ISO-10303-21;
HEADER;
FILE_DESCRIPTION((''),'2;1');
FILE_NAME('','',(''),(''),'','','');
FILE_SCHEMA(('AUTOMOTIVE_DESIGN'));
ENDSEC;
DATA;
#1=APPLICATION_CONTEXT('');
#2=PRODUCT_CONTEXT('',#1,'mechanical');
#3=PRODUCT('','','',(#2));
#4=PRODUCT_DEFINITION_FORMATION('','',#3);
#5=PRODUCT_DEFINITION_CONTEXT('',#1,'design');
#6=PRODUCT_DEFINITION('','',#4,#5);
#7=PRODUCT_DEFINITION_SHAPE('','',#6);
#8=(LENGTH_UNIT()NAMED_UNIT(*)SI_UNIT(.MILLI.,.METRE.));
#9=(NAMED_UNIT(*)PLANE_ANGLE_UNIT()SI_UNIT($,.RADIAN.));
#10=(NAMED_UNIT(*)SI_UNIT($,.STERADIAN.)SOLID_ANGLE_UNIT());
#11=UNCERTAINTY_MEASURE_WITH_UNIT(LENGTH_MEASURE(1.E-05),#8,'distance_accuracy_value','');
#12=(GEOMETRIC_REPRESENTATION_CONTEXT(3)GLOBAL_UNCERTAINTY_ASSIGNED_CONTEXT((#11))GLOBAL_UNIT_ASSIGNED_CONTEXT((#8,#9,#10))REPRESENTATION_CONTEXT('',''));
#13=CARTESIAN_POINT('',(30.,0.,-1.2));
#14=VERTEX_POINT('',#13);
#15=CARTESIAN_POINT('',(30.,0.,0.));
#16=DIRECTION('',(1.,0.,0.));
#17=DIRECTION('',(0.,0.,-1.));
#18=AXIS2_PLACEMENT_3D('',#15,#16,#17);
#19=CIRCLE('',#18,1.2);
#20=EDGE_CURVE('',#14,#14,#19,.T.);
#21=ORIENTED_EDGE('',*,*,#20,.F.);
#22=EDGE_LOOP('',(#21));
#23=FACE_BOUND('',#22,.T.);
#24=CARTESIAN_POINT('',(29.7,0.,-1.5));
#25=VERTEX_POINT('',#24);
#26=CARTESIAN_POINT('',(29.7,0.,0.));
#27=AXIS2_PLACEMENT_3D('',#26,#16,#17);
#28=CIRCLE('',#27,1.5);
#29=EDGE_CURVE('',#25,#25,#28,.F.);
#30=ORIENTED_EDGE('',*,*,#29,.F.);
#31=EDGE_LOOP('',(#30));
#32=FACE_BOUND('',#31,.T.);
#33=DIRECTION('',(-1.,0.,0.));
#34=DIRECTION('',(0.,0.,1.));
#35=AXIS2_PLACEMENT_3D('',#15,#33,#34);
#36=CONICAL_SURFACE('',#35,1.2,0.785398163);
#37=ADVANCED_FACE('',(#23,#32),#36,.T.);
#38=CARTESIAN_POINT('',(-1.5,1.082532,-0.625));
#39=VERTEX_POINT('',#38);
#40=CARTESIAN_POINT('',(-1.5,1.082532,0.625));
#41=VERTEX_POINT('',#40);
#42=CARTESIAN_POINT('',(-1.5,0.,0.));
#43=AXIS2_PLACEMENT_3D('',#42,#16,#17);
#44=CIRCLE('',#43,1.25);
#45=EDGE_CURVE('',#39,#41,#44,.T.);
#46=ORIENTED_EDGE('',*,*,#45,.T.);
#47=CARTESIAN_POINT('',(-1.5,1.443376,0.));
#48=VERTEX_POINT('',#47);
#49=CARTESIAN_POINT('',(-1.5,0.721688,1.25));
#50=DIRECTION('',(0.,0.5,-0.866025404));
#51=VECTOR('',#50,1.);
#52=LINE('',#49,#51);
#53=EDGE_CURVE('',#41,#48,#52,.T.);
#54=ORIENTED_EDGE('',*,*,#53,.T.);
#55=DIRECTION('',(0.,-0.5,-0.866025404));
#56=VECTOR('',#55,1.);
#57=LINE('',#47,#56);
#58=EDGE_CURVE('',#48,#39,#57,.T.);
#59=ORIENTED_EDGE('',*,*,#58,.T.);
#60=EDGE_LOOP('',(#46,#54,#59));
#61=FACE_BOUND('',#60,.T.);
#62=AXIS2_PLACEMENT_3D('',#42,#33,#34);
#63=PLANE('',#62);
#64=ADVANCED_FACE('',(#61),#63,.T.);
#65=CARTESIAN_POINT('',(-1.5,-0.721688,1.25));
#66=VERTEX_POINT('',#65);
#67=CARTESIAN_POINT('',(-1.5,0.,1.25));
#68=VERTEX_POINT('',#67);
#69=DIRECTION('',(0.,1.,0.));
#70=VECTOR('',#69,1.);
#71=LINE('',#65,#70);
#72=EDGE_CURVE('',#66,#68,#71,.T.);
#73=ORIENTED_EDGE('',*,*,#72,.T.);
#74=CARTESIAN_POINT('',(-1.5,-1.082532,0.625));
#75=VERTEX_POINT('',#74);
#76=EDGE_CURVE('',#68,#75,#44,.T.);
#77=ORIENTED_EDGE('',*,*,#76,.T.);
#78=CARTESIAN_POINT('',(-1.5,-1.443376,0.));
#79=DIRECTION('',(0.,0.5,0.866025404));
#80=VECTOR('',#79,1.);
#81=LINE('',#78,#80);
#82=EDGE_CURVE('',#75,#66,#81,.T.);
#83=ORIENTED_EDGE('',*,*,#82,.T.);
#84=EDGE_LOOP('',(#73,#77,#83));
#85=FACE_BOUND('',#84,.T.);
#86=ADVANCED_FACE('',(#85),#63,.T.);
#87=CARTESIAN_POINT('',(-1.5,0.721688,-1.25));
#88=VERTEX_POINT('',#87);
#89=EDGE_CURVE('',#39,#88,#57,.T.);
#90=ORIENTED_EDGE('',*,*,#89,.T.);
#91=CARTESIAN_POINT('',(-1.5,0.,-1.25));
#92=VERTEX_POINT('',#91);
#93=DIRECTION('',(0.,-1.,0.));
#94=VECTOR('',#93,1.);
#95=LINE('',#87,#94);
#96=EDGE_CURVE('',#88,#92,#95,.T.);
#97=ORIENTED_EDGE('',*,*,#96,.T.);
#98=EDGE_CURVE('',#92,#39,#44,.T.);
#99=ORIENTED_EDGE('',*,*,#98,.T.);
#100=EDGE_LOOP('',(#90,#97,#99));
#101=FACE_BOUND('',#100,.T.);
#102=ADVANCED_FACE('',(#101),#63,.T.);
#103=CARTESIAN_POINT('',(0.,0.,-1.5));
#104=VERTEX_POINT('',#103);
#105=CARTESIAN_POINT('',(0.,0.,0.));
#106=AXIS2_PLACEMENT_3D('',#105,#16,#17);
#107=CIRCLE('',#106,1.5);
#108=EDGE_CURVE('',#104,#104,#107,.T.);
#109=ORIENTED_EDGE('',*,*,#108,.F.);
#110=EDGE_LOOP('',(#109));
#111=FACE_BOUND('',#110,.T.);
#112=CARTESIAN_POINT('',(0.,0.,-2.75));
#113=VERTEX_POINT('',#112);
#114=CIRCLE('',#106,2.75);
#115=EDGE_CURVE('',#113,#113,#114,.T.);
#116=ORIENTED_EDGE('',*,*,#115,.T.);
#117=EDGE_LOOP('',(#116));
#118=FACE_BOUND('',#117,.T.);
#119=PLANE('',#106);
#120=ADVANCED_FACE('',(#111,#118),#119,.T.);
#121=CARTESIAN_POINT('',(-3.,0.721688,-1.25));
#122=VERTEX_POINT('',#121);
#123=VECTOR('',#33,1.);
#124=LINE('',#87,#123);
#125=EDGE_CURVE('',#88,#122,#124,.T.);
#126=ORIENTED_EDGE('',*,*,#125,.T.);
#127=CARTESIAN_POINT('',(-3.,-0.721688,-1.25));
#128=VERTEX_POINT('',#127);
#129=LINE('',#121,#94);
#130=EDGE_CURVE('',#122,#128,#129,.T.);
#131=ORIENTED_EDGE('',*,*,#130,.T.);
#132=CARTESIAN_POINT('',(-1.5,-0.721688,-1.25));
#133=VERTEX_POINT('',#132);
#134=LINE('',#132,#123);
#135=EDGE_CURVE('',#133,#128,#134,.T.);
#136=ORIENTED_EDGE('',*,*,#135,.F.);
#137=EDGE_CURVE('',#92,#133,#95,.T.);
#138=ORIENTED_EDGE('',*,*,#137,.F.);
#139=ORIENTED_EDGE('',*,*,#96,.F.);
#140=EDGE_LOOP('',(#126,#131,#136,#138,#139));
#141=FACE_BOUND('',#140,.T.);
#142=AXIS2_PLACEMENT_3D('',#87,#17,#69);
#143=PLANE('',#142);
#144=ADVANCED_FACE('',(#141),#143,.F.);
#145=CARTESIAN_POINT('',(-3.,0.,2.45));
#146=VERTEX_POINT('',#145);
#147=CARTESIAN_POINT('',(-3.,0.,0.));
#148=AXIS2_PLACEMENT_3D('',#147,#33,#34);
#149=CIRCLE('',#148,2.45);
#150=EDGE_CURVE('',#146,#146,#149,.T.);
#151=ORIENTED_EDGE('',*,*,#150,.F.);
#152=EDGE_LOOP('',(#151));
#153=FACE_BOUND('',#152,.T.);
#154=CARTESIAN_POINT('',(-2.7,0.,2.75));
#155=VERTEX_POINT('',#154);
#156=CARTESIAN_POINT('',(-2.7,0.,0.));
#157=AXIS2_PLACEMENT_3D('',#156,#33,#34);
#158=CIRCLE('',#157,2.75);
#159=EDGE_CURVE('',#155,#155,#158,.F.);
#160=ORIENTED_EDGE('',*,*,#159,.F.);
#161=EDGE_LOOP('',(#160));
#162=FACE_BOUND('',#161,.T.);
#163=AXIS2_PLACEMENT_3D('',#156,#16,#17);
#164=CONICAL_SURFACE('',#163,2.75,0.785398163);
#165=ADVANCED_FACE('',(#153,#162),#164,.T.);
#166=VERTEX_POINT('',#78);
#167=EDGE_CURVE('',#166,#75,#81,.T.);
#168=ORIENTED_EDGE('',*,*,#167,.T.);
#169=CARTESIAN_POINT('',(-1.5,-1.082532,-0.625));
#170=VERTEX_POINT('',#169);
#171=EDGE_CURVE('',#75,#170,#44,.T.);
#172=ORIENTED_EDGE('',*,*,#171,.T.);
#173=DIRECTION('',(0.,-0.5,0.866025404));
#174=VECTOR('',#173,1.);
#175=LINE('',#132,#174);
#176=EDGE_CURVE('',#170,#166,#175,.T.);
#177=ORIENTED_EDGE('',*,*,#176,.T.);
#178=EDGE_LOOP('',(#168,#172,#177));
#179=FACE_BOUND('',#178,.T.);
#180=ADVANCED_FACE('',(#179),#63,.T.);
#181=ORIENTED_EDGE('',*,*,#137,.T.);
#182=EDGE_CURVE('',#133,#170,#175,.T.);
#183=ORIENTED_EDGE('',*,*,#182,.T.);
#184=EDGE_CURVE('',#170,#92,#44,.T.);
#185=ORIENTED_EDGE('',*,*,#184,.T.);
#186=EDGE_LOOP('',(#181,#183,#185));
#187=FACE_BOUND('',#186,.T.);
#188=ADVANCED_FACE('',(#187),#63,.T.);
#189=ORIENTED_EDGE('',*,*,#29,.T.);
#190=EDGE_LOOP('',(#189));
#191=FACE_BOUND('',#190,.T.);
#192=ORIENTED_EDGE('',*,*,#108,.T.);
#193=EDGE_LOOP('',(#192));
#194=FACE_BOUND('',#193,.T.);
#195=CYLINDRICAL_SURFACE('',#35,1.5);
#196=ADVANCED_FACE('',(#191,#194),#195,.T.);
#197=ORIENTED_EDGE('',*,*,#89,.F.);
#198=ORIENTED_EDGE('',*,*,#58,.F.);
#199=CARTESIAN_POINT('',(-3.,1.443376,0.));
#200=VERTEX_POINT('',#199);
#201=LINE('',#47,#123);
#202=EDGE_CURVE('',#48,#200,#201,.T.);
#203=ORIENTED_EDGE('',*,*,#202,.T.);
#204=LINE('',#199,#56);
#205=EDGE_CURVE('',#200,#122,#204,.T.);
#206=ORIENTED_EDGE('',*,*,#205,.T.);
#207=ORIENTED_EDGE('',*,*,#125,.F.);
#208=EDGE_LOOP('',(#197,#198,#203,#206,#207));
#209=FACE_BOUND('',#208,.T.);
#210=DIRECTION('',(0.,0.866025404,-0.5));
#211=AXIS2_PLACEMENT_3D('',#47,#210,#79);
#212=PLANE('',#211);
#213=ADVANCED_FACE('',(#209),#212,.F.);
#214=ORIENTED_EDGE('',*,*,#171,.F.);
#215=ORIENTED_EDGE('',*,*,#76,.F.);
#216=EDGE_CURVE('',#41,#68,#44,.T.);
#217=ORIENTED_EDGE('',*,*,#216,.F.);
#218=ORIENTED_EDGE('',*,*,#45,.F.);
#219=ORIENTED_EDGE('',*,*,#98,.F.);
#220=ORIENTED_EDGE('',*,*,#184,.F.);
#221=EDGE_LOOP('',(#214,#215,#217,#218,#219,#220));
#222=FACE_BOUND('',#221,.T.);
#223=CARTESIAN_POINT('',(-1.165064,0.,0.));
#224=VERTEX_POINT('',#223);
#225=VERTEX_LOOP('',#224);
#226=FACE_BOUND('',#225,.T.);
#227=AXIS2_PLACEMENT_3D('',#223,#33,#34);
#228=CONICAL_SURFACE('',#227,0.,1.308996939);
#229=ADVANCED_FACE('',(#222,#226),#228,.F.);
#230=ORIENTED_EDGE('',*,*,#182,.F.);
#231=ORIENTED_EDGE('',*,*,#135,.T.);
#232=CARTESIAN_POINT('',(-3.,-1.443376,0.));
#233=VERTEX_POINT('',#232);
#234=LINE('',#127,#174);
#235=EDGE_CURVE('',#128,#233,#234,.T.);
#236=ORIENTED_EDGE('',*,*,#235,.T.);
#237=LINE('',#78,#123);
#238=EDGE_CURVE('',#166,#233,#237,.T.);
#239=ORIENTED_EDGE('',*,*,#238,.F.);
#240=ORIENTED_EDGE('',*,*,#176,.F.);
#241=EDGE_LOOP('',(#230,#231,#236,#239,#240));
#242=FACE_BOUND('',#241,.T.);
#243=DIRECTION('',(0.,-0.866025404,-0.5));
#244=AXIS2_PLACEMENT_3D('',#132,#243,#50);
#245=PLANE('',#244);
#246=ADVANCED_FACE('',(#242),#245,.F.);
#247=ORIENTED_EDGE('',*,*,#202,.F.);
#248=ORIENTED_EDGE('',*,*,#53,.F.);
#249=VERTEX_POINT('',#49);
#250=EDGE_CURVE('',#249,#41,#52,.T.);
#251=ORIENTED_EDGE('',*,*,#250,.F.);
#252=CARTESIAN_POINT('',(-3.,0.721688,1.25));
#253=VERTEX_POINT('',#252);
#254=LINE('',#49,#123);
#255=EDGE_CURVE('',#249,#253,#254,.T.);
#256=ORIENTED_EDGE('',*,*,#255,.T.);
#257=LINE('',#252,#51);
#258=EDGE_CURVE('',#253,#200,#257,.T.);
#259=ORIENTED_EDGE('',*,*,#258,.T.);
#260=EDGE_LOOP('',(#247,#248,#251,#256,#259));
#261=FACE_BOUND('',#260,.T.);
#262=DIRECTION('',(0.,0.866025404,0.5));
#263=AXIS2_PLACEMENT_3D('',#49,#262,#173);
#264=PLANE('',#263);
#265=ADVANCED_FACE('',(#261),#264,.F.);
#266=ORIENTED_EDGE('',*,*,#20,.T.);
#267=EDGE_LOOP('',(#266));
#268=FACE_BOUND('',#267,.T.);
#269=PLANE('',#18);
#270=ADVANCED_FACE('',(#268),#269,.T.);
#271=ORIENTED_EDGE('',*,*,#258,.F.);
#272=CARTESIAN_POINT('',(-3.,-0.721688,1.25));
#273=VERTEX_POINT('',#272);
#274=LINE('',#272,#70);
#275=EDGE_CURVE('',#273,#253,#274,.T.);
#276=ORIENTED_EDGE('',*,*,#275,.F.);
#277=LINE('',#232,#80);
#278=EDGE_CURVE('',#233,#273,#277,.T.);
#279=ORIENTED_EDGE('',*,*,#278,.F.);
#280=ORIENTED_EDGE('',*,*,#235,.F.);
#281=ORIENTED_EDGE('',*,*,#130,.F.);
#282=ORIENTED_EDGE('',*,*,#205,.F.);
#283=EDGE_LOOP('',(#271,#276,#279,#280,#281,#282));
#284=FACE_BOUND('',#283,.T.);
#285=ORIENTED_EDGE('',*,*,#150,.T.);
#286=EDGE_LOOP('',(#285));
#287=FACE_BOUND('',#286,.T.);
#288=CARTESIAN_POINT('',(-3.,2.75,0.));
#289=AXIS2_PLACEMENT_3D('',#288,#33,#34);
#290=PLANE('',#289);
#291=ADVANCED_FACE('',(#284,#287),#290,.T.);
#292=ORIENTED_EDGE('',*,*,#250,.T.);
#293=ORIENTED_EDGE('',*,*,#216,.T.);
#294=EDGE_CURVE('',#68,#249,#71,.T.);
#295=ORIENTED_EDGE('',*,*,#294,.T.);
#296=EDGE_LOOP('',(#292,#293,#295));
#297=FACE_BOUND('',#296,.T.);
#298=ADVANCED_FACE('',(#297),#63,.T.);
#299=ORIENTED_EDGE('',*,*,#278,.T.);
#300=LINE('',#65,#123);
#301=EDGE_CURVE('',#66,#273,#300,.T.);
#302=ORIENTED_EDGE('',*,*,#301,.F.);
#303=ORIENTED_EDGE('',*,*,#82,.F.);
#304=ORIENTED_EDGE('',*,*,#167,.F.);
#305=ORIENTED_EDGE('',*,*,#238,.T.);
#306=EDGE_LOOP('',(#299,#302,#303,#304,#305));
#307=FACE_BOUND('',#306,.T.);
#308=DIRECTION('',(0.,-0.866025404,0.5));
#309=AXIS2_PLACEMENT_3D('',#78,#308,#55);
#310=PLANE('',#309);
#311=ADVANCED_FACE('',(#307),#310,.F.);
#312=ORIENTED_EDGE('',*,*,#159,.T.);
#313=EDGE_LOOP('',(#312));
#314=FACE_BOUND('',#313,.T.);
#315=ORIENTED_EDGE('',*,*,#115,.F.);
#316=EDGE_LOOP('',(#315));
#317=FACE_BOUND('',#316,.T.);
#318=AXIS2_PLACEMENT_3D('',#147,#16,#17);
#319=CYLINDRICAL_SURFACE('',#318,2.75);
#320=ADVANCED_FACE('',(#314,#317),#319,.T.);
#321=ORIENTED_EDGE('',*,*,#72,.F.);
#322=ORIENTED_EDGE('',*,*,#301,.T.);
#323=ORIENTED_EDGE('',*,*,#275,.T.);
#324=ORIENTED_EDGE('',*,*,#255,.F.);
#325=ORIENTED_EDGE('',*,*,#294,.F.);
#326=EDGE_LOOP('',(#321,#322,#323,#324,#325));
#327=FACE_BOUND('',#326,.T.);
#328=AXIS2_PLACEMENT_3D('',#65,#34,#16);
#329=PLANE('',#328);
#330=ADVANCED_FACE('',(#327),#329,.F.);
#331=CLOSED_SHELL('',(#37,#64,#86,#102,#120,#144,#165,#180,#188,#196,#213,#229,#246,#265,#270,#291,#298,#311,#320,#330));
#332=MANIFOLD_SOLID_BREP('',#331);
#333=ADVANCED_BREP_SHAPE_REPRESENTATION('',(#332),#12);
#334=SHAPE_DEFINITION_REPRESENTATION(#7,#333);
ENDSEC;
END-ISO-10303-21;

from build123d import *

# Parameters (mm, degrees)
SKETCH1_W           = 3
SKETCH1_H           = 2.75
SKETCH2_R           = 1.5
BOSS_EXTRUDE1_DEPTH = 30
CUT_EXTRUDE1_DEPTH  = 1.5
CHAMFER1_SIZE       = 0.3


with BuildPart() as part:
    # Sketch1 → Revolve1 (revolve)
    with BuildSketch(Plane.XY, mode=Mode.PRIVATE) as revolve1_sk:
        with Locations((-1.5, 1.375)):
            Rectangle(SKETCH1_W, SKETCH1_H)
    revolve(revolve1_sk.sketch.rotate(Axis((-3, 0, 0), (1, 0, 0)), 270), axis=Axis((-3, 0, 0), (1, 0, 0)))

    # Sketch2 → Boss-Extrude1 (add)
    with BuildSketch(Plane(origin=(0, 0, 0), x_dir=(0, 0, -1), z_dir=(1, 0, 0))):
        Circle(SKETCH2_R)
    extrude(amount=BOSS_EXTRUDE1_DEPTH)

    # Sketch3 → Cut-Extrude1 (cut)
    with BuildSketch(Plane.ZY.offset(3)):
        Polygon((1.25, -0.721687836), (1.25, 0.721687836), (0, 1.443375673), (-1.25, 0.721687836), (-1.25, -0.721687836), (0, -1.443375673), align=None)
    extrude(amount=-CUT_EXTRUDE1_DEPTH, mode=Mode.SUBTRACT)

    # Sketch4 → Cut-Revolve1 (revolve, cut)
    with BuildSketch(Plane.XY, mode=Mode.PRIVATE) as cut_revolve1_sk:
        Polygon((-1.5, 1.25), (-1.5, 0), (-1.165063509, 0), align=None)
    revolve(cut_revolve1_sk.sketch.rotate(Axis((-1.500025, 0, 0), (1, 0, 0)), 90), axis=Axis((-1.500025, 0, 0), (1, 0, 0)), mode=Mode.SUBTRACT)

    # Chamfer1
    chamfer1_edges = [part.edges().sort_by_distance(p)[0] for p in [
        (-3, 0, 2.75),
        (30, 0, 1.5),
    ]]
    chamfer(chamfer1_edges, length=CHAMFER1_SIZE)


solid = part.part
